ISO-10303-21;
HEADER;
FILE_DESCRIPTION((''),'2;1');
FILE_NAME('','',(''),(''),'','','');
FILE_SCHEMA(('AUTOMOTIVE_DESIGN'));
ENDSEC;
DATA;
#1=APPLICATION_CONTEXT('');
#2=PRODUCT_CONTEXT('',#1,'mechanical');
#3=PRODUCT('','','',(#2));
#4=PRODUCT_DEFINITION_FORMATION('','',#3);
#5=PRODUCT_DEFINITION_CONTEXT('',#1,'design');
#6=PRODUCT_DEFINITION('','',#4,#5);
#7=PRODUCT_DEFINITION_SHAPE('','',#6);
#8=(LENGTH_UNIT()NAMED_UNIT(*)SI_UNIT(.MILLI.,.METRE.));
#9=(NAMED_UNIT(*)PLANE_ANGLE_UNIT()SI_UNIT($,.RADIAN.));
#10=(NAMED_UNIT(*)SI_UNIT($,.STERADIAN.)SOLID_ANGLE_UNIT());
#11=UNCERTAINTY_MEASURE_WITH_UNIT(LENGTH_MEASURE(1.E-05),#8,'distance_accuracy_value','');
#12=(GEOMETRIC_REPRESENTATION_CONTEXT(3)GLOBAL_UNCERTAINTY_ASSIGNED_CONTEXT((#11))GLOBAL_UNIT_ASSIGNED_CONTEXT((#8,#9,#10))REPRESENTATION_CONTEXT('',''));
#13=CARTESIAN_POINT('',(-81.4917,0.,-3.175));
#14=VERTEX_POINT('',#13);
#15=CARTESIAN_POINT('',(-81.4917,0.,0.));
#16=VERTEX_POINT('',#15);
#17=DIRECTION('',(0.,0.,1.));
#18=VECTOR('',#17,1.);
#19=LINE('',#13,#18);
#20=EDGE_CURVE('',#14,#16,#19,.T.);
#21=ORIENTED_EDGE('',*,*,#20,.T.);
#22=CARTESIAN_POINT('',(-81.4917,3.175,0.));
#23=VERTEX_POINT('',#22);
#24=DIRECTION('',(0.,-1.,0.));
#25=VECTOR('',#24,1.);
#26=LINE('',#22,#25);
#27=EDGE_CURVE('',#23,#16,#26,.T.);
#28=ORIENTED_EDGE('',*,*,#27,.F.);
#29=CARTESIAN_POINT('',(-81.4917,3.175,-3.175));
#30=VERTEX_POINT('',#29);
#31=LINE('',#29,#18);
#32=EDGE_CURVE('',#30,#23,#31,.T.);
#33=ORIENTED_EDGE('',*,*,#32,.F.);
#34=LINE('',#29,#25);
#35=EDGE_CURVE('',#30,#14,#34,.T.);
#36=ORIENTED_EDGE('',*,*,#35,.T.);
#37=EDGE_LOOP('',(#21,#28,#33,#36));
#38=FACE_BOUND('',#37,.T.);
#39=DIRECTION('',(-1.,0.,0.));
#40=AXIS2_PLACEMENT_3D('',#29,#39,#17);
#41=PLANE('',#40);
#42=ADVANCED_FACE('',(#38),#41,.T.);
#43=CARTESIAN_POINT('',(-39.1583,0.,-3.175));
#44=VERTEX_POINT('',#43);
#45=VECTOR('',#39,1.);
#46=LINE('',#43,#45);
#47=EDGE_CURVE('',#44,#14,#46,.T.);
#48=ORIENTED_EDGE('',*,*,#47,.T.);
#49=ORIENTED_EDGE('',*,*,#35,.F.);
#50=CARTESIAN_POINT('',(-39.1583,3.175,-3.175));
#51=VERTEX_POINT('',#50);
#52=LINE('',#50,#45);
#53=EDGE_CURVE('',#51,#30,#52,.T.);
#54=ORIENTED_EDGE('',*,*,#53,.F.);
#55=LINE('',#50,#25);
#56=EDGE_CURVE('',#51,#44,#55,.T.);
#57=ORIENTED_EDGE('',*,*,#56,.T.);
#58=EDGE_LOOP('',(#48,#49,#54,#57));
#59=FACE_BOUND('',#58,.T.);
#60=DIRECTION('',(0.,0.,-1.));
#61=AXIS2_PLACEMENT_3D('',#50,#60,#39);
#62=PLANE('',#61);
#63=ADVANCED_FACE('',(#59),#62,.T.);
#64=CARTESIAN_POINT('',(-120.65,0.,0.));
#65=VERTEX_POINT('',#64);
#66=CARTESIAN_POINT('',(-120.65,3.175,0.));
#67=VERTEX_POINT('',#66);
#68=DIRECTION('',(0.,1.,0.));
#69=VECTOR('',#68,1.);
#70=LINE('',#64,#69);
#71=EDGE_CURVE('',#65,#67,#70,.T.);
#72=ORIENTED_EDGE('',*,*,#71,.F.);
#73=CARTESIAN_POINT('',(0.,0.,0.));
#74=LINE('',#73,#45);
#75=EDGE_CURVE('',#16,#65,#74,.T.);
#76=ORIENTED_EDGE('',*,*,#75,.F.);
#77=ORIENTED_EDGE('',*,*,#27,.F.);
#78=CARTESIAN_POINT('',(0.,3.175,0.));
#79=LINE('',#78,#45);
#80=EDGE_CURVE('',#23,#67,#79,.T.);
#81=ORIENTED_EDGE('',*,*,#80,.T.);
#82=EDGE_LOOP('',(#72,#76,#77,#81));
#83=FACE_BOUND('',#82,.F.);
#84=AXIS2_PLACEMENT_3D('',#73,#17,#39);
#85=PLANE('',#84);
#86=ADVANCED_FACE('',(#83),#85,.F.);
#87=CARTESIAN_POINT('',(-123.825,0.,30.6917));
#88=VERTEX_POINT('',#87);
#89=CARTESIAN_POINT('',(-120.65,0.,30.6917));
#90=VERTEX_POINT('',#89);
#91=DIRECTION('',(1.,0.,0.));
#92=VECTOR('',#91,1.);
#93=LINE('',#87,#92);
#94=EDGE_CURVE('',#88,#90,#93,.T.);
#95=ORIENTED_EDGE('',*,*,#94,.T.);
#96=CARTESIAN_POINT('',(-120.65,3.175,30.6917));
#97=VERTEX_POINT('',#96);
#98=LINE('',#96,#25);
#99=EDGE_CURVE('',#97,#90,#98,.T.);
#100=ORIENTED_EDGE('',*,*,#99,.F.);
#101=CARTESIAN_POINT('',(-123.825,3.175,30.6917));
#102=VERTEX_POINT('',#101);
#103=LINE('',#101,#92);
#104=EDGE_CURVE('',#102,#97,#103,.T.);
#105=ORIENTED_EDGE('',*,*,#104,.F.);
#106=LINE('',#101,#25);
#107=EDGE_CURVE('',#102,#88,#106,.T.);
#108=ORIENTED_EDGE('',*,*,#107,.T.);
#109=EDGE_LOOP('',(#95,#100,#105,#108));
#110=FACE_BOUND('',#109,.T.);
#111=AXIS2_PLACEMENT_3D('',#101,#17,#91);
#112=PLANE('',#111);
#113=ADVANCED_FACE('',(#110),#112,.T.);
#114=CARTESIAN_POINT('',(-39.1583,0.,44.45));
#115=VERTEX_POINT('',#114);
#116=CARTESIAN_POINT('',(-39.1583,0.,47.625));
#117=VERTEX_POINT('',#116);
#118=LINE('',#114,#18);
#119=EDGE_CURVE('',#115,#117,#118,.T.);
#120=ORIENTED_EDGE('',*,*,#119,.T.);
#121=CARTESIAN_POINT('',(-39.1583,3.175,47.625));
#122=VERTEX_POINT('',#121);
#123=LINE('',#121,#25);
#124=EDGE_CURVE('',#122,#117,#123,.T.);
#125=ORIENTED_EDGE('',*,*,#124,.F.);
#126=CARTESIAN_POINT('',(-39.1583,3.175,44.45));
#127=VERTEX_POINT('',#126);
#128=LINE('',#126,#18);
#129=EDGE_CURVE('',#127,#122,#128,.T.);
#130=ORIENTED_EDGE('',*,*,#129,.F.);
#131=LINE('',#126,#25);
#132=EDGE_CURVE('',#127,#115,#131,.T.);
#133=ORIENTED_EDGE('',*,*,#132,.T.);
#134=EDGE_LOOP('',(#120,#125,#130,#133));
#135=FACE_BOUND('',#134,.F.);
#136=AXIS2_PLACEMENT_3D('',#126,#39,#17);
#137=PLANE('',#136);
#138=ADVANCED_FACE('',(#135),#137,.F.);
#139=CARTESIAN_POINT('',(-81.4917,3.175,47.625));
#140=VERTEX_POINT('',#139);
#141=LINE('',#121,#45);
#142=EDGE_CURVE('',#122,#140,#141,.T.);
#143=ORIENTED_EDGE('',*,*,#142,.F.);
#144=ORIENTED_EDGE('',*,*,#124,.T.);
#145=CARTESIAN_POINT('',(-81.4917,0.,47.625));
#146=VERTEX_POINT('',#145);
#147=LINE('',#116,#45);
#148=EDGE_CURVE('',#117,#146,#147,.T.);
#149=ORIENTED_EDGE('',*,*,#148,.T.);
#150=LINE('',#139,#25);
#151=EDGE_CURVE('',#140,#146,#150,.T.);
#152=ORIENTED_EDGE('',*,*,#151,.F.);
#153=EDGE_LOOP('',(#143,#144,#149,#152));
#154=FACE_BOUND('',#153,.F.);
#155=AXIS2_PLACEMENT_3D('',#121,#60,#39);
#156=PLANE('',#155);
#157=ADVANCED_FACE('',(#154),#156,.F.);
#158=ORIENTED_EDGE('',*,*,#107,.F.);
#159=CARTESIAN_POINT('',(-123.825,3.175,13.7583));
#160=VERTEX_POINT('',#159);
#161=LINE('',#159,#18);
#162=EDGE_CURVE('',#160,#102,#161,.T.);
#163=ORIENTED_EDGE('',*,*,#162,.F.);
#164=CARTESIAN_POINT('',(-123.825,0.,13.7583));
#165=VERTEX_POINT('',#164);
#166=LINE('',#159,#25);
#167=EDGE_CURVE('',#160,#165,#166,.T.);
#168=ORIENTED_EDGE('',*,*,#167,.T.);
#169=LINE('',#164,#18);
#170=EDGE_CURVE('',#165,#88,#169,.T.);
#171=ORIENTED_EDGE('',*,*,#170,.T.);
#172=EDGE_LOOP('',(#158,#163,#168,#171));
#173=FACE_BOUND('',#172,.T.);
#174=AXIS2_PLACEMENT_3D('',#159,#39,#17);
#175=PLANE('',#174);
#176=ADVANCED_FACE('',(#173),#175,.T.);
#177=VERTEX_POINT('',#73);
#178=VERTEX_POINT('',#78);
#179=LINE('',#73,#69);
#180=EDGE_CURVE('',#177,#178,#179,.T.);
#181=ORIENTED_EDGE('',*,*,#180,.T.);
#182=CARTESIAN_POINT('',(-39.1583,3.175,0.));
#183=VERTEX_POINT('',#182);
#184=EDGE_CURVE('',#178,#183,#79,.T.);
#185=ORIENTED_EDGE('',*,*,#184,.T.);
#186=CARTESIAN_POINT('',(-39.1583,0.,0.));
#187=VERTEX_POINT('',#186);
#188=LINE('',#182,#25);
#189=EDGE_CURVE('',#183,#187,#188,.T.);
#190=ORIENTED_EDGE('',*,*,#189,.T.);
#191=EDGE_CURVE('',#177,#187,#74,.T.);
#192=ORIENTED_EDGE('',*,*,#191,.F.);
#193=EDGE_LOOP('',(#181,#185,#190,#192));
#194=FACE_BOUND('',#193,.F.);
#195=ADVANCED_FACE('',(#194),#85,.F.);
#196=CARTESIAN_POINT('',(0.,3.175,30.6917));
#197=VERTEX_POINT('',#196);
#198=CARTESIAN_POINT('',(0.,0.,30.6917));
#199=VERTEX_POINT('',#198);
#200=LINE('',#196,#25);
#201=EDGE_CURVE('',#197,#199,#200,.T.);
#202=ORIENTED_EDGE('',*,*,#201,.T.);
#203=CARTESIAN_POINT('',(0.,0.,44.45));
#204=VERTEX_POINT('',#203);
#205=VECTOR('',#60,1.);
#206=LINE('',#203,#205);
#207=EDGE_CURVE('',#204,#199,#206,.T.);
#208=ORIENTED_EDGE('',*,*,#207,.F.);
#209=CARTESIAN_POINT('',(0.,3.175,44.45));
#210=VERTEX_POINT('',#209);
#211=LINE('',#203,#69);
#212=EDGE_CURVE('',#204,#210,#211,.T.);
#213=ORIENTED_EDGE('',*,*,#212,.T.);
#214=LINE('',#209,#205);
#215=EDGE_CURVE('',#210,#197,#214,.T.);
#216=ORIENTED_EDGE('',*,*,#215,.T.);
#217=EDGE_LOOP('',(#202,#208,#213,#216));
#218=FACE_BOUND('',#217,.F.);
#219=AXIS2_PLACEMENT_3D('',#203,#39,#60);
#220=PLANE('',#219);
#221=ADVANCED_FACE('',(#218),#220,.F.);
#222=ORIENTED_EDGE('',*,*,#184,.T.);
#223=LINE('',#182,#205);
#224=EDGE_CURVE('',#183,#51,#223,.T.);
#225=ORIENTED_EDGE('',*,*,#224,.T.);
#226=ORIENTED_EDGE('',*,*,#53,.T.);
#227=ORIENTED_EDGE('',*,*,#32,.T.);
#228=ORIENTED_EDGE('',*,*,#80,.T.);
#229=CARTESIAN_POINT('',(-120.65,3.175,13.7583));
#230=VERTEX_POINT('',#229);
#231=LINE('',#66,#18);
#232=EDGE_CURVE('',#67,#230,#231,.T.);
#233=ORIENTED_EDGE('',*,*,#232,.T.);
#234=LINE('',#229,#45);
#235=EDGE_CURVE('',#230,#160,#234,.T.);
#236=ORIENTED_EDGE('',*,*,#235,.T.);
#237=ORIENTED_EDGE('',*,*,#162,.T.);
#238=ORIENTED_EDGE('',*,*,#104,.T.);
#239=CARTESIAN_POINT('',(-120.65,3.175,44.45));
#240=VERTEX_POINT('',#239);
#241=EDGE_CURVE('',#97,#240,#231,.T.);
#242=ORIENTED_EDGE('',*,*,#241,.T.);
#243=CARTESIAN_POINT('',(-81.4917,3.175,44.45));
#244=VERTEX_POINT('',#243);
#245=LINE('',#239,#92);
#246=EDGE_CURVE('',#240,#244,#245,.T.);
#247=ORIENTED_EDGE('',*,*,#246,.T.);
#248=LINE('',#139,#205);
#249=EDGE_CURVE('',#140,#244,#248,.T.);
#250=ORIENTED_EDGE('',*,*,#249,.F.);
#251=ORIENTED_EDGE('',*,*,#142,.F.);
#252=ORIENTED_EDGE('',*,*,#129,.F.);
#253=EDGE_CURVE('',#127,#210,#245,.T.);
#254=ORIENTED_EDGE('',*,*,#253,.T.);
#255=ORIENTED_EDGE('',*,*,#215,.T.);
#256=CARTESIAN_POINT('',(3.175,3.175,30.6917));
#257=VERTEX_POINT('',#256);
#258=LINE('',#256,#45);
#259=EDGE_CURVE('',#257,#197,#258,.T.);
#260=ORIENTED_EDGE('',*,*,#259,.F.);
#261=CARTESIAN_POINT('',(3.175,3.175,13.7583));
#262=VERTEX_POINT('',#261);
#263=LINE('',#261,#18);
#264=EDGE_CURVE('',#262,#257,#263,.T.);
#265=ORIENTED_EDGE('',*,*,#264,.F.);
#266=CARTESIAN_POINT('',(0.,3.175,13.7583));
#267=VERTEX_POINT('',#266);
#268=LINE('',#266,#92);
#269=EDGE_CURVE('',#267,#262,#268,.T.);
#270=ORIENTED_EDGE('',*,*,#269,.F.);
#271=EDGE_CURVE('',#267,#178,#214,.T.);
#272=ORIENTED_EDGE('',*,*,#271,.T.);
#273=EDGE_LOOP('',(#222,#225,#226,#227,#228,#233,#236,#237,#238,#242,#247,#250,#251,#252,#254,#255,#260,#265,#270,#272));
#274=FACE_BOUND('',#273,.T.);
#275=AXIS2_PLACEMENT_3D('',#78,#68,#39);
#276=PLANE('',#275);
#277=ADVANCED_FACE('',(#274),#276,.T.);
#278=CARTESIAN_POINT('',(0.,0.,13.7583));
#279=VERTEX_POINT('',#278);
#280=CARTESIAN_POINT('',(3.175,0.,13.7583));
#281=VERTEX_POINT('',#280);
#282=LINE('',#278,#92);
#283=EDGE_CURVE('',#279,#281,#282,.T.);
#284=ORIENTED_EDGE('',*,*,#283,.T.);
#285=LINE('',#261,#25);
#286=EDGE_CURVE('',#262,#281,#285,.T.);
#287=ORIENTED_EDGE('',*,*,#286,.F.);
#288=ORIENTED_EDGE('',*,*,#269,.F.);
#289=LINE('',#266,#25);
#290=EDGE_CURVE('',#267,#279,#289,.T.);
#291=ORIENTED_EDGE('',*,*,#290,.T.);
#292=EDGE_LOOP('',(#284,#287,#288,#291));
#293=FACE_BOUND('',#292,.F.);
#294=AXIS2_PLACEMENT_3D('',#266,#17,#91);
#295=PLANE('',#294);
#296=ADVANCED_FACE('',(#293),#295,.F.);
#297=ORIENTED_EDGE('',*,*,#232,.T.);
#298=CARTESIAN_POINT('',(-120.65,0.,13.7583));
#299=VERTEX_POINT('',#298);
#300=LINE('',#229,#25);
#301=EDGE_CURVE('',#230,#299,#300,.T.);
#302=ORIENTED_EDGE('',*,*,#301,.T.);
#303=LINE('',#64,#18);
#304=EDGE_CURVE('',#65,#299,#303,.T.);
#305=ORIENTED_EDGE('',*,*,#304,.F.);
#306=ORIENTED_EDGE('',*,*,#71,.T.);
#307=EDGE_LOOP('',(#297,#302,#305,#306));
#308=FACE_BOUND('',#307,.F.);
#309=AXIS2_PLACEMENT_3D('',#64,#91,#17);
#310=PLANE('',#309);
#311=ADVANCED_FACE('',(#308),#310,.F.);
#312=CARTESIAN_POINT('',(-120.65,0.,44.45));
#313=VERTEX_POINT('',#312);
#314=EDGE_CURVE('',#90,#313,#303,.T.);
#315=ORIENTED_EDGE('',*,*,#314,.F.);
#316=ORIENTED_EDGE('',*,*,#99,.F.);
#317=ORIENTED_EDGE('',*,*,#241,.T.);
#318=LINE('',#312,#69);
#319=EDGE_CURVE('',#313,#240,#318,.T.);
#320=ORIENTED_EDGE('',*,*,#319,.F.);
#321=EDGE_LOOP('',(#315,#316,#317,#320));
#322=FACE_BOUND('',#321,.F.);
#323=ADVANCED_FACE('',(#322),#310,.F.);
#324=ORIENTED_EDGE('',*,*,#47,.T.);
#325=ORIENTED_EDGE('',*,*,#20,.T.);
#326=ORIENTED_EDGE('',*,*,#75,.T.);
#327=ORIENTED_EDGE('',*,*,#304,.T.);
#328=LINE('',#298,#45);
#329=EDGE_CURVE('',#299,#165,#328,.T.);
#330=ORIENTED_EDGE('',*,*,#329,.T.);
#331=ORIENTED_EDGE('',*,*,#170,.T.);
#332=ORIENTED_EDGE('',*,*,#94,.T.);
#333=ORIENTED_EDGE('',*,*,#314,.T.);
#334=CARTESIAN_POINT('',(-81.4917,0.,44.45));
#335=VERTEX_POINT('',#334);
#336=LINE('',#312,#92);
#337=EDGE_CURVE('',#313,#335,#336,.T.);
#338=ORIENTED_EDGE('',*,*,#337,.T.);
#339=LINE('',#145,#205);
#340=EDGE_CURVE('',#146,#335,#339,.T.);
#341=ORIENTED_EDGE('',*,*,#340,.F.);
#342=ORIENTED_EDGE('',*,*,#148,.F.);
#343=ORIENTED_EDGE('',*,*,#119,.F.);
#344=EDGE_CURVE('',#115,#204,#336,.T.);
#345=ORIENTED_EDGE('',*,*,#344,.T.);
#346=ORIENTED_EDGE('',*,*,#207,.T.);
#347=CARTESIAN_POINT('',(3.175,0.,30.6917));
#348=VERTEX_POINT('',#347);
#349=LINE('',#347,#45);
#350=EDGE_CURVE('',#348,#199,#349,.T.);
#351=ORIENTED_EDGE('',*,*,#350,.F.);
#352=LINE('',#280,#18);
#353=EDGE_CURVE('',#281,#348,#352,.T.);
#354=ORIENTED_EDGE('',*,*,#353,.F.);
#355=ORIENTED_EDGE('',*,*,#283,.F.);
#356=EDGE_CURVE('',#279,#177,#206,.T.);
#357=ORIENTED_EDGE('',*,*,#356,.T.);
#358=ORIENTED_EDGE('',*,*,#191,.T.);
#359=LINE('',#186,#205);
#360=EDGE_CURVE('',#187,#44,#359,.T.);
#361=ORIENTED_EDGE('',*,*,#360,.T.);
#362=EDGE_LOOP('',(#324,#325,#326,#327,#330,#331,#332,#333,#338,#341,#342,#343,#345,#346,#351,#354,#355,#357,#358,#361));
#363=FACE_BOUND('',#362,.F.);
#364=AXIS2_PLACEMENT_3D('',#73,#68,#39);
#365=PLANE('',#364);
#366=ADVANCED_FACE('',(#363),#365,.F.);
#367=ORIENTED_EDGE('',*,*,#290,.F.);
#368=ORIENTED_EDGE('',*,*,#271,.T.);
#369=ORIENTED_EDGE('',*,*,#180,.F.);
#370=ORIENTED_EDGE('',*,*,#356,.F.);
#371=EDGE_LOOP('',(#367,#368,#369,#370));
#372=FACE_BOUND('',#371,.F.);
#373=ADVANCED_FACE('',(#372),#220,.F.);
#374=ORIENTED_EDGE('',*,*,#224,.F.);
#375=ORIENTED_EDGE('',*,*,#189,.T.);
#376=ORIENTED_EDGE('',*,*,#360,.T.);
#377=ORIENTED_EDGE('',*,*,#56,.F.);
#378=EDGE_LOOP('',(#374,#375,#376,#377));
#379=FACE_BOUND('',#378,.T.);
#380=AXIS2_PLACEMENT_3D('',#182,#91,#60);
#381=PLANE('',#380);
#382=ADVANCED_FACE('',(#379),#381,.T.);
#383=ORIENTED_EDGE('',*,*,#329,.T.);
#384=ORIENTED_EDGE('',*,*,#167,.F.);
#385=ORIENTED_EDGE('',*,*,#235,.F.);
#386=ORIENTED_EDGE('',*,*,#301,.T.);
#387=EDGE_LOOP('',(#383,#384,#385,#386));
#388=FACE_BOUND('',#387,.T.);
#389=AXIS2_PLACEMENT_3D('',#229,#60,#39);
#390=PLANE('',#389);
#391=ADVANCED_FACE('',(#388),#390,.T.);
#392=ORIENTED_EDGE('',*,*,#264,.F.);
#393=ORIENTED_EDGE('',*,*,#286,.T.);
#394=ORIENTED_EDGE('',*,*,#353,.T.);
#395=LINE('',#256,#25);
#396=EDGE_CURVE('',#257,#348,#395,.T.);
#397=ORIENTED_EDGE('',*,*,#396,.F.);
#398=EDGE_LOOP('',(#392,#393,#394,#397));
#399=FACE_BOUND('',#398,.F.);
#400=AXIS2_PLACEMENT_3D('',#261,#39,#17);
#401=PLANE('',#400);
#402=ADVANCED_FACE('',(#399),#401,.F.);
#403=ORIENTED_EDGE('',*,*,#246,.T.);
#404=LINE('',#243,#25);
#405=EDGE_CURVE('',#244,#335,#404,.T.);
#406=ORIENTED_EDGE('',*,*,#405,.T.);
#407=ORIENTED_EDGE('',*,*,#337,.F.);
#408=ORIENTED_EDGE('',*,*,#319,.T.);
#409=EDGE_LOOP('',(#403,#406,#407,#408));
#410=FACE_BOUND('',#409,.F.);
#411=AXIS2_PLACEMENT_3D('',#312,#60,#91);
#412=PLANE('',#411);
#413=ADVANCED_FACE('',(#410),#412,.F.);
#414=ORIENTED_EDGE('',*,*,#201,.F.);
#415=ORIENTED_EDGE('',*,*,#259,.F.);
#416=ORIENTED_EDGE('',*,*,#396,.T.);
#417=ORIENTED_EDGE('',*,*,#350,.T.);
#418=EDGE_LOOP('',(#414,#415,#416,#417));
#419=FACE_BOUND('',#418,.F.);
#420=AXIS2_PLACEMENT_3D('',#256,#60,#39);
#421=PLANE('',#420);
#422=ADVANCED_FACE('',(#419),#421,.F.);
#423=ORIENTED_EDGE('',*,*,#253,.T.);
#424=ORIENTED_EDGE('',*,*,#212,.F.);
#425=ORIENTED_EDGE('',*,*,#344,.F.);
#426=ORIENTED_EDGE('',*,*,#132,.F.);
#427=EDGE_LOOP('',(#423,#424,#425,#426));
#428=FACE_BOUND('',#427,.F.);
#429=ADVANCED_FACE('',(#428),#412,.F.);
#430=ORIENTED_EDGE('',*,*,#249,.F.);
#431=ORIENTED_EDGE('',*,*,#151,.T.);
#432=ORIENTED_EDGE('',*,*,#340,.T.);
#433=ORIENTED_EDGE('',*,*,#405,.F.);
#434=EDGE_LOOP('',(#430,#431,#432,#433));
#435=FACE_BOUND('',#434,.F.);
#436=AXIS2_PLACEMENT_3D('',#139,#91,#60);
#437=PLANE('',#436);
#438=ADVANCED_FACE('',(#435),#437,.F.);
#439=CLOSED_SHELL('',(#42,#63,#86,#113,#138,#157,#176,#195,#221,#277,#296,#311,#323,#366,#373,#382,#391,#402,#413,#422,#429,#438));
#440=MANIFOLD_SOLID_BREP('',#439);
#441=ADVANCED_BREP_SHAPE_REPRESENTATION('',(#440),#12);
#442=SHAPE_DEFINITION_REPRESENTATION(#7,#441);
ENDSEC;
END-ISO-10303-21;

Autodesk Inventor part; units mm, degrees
ref_plane "YZ Plane" through (0, 0, 0) normal (1, 0, 0) x (0, 1, 0)
ref_plane "XZ Plane" through (0, 0, 0) normal (0, 1, 0) x (-1, 0, 0)
ref_plane "XY Plane" through (0, 0, 0) normal (0, 0, 1) x (1, 0, 0)
sketch "Sketch1" plane through (0, 0, 0) normal (0, 1, 0) x (-1, 0, 0)
  line L0 (0, 0) -> (120.65, 0)
  line L1 (120.65, 0) -> (120.65, 44.45)
  line L2 (120.65, 44.45) -> (0, 44.45)
  line L3 (0, 44.45) -> (0, 0)
  dimension "d0" = 120.65
  dimension "d1" = 44.45
extrude "Extrusion1" add sketch "Sketch1" along normal blind 3.175
sketch "Sketch2" plane through (0, 3.175, 0) normal (0, 1, 0) x (1, 0, 0)
  line L0 (0, 0) -> (-120.65, 0) projected
  line L1 (-120.65, 0) -> (-120.65, -44.45) projected
  line L2 (-120.65, -44.45) -> (0, -44.45) projected
  line L3 (0, -44.45) -> (0, 0) projected
  line L4 (-81.4917, 0) -> (-39.1583, 0)
  line L5 (-39.1583, 0) -> (-39.1583, 3.175)
  line L6 (-39.1583, 3.175) -> (-81.4917, 3.175)
  line L7 (-81.4917, 3.175) -> (-81.4917, 0)
  line L8 (-81.4917, -44.45) -> (-39.1583, -44.45)
  line L9 (-39.1583, -44.45) -> (-39.1583, -47.625)
  line L10 (-39.1583, -47.625) -> (-81.4917, -47.625)
  line L11 (-81.4917, -47.625) -> (-81.4917, -44.45)
  line L12 (0, -13.7583) -> (3.175, -13.7583)
  line L13 (3.175, -13.7583) -> (3.175, -30.6917)
  line L14 (3.175, -30.6917) -> (0, -30.6917)
  line L15 (0, -30.6917) -> (0, -13.7583)
  line L16 (-120.65, -13.7583) -> (-123.825, -13.7583)
  line L17 (-123.825, -13.7583) -> (-123.825, -30.6917)
  line L18 (-123.825, -30.6917) -> (-120.65, -30.6917)
  line L19 (-120.65, -30.6917) -> (-120.65, -13.7583)
  dimension "d4" = 42.3333
  dimension "d5" = 3.175
  dimension "d6" = 39.1583
  dimension "d7" = 42.3333
  dimension "d8" = 3.175
  dimension "d9" = 3.175
  dimension "d10" = 16.9333
  dimension "d11" = 3.175
  dimension "d12" = 16.9333
  dimension "d13" = 13.7583
extrude "Extrusion2" add sketch "Sketch2" against normal blind 3.175 contours L0 L7 L6 L5 | L12 L13 L14 L3 | L1 L18 L17 L16 | L9 L10 L11 L2
equation "\"d0\" = width - 2 * thick"
equation "\"d1\" = depth - 2 * thick"
equation "\"d2\" = thick"
equation "\"d4\" = 0.333333 * width"
equation "\"d5\" = thick"
equation "\"d6\" = 0.333333 * width - thick"
equation "\"d7\" = 0.333333 * width"
equation "\"d8\" = thick"
equation "\"d9\" = thick"
equation "\"d10\" = 0.333333 * depth"
equation "\"d11\" = thick"
equation "\"d12\" = 0.333333 * depth"
equation "\"d13\" = 0.333333 * depth - thick"
equation "\"d14\" = thick"
equation "\"width\" = 127"
equation "\"thick\" = 3.175"
equation "\"depth\" = 50.8"
properties part number "Top"
